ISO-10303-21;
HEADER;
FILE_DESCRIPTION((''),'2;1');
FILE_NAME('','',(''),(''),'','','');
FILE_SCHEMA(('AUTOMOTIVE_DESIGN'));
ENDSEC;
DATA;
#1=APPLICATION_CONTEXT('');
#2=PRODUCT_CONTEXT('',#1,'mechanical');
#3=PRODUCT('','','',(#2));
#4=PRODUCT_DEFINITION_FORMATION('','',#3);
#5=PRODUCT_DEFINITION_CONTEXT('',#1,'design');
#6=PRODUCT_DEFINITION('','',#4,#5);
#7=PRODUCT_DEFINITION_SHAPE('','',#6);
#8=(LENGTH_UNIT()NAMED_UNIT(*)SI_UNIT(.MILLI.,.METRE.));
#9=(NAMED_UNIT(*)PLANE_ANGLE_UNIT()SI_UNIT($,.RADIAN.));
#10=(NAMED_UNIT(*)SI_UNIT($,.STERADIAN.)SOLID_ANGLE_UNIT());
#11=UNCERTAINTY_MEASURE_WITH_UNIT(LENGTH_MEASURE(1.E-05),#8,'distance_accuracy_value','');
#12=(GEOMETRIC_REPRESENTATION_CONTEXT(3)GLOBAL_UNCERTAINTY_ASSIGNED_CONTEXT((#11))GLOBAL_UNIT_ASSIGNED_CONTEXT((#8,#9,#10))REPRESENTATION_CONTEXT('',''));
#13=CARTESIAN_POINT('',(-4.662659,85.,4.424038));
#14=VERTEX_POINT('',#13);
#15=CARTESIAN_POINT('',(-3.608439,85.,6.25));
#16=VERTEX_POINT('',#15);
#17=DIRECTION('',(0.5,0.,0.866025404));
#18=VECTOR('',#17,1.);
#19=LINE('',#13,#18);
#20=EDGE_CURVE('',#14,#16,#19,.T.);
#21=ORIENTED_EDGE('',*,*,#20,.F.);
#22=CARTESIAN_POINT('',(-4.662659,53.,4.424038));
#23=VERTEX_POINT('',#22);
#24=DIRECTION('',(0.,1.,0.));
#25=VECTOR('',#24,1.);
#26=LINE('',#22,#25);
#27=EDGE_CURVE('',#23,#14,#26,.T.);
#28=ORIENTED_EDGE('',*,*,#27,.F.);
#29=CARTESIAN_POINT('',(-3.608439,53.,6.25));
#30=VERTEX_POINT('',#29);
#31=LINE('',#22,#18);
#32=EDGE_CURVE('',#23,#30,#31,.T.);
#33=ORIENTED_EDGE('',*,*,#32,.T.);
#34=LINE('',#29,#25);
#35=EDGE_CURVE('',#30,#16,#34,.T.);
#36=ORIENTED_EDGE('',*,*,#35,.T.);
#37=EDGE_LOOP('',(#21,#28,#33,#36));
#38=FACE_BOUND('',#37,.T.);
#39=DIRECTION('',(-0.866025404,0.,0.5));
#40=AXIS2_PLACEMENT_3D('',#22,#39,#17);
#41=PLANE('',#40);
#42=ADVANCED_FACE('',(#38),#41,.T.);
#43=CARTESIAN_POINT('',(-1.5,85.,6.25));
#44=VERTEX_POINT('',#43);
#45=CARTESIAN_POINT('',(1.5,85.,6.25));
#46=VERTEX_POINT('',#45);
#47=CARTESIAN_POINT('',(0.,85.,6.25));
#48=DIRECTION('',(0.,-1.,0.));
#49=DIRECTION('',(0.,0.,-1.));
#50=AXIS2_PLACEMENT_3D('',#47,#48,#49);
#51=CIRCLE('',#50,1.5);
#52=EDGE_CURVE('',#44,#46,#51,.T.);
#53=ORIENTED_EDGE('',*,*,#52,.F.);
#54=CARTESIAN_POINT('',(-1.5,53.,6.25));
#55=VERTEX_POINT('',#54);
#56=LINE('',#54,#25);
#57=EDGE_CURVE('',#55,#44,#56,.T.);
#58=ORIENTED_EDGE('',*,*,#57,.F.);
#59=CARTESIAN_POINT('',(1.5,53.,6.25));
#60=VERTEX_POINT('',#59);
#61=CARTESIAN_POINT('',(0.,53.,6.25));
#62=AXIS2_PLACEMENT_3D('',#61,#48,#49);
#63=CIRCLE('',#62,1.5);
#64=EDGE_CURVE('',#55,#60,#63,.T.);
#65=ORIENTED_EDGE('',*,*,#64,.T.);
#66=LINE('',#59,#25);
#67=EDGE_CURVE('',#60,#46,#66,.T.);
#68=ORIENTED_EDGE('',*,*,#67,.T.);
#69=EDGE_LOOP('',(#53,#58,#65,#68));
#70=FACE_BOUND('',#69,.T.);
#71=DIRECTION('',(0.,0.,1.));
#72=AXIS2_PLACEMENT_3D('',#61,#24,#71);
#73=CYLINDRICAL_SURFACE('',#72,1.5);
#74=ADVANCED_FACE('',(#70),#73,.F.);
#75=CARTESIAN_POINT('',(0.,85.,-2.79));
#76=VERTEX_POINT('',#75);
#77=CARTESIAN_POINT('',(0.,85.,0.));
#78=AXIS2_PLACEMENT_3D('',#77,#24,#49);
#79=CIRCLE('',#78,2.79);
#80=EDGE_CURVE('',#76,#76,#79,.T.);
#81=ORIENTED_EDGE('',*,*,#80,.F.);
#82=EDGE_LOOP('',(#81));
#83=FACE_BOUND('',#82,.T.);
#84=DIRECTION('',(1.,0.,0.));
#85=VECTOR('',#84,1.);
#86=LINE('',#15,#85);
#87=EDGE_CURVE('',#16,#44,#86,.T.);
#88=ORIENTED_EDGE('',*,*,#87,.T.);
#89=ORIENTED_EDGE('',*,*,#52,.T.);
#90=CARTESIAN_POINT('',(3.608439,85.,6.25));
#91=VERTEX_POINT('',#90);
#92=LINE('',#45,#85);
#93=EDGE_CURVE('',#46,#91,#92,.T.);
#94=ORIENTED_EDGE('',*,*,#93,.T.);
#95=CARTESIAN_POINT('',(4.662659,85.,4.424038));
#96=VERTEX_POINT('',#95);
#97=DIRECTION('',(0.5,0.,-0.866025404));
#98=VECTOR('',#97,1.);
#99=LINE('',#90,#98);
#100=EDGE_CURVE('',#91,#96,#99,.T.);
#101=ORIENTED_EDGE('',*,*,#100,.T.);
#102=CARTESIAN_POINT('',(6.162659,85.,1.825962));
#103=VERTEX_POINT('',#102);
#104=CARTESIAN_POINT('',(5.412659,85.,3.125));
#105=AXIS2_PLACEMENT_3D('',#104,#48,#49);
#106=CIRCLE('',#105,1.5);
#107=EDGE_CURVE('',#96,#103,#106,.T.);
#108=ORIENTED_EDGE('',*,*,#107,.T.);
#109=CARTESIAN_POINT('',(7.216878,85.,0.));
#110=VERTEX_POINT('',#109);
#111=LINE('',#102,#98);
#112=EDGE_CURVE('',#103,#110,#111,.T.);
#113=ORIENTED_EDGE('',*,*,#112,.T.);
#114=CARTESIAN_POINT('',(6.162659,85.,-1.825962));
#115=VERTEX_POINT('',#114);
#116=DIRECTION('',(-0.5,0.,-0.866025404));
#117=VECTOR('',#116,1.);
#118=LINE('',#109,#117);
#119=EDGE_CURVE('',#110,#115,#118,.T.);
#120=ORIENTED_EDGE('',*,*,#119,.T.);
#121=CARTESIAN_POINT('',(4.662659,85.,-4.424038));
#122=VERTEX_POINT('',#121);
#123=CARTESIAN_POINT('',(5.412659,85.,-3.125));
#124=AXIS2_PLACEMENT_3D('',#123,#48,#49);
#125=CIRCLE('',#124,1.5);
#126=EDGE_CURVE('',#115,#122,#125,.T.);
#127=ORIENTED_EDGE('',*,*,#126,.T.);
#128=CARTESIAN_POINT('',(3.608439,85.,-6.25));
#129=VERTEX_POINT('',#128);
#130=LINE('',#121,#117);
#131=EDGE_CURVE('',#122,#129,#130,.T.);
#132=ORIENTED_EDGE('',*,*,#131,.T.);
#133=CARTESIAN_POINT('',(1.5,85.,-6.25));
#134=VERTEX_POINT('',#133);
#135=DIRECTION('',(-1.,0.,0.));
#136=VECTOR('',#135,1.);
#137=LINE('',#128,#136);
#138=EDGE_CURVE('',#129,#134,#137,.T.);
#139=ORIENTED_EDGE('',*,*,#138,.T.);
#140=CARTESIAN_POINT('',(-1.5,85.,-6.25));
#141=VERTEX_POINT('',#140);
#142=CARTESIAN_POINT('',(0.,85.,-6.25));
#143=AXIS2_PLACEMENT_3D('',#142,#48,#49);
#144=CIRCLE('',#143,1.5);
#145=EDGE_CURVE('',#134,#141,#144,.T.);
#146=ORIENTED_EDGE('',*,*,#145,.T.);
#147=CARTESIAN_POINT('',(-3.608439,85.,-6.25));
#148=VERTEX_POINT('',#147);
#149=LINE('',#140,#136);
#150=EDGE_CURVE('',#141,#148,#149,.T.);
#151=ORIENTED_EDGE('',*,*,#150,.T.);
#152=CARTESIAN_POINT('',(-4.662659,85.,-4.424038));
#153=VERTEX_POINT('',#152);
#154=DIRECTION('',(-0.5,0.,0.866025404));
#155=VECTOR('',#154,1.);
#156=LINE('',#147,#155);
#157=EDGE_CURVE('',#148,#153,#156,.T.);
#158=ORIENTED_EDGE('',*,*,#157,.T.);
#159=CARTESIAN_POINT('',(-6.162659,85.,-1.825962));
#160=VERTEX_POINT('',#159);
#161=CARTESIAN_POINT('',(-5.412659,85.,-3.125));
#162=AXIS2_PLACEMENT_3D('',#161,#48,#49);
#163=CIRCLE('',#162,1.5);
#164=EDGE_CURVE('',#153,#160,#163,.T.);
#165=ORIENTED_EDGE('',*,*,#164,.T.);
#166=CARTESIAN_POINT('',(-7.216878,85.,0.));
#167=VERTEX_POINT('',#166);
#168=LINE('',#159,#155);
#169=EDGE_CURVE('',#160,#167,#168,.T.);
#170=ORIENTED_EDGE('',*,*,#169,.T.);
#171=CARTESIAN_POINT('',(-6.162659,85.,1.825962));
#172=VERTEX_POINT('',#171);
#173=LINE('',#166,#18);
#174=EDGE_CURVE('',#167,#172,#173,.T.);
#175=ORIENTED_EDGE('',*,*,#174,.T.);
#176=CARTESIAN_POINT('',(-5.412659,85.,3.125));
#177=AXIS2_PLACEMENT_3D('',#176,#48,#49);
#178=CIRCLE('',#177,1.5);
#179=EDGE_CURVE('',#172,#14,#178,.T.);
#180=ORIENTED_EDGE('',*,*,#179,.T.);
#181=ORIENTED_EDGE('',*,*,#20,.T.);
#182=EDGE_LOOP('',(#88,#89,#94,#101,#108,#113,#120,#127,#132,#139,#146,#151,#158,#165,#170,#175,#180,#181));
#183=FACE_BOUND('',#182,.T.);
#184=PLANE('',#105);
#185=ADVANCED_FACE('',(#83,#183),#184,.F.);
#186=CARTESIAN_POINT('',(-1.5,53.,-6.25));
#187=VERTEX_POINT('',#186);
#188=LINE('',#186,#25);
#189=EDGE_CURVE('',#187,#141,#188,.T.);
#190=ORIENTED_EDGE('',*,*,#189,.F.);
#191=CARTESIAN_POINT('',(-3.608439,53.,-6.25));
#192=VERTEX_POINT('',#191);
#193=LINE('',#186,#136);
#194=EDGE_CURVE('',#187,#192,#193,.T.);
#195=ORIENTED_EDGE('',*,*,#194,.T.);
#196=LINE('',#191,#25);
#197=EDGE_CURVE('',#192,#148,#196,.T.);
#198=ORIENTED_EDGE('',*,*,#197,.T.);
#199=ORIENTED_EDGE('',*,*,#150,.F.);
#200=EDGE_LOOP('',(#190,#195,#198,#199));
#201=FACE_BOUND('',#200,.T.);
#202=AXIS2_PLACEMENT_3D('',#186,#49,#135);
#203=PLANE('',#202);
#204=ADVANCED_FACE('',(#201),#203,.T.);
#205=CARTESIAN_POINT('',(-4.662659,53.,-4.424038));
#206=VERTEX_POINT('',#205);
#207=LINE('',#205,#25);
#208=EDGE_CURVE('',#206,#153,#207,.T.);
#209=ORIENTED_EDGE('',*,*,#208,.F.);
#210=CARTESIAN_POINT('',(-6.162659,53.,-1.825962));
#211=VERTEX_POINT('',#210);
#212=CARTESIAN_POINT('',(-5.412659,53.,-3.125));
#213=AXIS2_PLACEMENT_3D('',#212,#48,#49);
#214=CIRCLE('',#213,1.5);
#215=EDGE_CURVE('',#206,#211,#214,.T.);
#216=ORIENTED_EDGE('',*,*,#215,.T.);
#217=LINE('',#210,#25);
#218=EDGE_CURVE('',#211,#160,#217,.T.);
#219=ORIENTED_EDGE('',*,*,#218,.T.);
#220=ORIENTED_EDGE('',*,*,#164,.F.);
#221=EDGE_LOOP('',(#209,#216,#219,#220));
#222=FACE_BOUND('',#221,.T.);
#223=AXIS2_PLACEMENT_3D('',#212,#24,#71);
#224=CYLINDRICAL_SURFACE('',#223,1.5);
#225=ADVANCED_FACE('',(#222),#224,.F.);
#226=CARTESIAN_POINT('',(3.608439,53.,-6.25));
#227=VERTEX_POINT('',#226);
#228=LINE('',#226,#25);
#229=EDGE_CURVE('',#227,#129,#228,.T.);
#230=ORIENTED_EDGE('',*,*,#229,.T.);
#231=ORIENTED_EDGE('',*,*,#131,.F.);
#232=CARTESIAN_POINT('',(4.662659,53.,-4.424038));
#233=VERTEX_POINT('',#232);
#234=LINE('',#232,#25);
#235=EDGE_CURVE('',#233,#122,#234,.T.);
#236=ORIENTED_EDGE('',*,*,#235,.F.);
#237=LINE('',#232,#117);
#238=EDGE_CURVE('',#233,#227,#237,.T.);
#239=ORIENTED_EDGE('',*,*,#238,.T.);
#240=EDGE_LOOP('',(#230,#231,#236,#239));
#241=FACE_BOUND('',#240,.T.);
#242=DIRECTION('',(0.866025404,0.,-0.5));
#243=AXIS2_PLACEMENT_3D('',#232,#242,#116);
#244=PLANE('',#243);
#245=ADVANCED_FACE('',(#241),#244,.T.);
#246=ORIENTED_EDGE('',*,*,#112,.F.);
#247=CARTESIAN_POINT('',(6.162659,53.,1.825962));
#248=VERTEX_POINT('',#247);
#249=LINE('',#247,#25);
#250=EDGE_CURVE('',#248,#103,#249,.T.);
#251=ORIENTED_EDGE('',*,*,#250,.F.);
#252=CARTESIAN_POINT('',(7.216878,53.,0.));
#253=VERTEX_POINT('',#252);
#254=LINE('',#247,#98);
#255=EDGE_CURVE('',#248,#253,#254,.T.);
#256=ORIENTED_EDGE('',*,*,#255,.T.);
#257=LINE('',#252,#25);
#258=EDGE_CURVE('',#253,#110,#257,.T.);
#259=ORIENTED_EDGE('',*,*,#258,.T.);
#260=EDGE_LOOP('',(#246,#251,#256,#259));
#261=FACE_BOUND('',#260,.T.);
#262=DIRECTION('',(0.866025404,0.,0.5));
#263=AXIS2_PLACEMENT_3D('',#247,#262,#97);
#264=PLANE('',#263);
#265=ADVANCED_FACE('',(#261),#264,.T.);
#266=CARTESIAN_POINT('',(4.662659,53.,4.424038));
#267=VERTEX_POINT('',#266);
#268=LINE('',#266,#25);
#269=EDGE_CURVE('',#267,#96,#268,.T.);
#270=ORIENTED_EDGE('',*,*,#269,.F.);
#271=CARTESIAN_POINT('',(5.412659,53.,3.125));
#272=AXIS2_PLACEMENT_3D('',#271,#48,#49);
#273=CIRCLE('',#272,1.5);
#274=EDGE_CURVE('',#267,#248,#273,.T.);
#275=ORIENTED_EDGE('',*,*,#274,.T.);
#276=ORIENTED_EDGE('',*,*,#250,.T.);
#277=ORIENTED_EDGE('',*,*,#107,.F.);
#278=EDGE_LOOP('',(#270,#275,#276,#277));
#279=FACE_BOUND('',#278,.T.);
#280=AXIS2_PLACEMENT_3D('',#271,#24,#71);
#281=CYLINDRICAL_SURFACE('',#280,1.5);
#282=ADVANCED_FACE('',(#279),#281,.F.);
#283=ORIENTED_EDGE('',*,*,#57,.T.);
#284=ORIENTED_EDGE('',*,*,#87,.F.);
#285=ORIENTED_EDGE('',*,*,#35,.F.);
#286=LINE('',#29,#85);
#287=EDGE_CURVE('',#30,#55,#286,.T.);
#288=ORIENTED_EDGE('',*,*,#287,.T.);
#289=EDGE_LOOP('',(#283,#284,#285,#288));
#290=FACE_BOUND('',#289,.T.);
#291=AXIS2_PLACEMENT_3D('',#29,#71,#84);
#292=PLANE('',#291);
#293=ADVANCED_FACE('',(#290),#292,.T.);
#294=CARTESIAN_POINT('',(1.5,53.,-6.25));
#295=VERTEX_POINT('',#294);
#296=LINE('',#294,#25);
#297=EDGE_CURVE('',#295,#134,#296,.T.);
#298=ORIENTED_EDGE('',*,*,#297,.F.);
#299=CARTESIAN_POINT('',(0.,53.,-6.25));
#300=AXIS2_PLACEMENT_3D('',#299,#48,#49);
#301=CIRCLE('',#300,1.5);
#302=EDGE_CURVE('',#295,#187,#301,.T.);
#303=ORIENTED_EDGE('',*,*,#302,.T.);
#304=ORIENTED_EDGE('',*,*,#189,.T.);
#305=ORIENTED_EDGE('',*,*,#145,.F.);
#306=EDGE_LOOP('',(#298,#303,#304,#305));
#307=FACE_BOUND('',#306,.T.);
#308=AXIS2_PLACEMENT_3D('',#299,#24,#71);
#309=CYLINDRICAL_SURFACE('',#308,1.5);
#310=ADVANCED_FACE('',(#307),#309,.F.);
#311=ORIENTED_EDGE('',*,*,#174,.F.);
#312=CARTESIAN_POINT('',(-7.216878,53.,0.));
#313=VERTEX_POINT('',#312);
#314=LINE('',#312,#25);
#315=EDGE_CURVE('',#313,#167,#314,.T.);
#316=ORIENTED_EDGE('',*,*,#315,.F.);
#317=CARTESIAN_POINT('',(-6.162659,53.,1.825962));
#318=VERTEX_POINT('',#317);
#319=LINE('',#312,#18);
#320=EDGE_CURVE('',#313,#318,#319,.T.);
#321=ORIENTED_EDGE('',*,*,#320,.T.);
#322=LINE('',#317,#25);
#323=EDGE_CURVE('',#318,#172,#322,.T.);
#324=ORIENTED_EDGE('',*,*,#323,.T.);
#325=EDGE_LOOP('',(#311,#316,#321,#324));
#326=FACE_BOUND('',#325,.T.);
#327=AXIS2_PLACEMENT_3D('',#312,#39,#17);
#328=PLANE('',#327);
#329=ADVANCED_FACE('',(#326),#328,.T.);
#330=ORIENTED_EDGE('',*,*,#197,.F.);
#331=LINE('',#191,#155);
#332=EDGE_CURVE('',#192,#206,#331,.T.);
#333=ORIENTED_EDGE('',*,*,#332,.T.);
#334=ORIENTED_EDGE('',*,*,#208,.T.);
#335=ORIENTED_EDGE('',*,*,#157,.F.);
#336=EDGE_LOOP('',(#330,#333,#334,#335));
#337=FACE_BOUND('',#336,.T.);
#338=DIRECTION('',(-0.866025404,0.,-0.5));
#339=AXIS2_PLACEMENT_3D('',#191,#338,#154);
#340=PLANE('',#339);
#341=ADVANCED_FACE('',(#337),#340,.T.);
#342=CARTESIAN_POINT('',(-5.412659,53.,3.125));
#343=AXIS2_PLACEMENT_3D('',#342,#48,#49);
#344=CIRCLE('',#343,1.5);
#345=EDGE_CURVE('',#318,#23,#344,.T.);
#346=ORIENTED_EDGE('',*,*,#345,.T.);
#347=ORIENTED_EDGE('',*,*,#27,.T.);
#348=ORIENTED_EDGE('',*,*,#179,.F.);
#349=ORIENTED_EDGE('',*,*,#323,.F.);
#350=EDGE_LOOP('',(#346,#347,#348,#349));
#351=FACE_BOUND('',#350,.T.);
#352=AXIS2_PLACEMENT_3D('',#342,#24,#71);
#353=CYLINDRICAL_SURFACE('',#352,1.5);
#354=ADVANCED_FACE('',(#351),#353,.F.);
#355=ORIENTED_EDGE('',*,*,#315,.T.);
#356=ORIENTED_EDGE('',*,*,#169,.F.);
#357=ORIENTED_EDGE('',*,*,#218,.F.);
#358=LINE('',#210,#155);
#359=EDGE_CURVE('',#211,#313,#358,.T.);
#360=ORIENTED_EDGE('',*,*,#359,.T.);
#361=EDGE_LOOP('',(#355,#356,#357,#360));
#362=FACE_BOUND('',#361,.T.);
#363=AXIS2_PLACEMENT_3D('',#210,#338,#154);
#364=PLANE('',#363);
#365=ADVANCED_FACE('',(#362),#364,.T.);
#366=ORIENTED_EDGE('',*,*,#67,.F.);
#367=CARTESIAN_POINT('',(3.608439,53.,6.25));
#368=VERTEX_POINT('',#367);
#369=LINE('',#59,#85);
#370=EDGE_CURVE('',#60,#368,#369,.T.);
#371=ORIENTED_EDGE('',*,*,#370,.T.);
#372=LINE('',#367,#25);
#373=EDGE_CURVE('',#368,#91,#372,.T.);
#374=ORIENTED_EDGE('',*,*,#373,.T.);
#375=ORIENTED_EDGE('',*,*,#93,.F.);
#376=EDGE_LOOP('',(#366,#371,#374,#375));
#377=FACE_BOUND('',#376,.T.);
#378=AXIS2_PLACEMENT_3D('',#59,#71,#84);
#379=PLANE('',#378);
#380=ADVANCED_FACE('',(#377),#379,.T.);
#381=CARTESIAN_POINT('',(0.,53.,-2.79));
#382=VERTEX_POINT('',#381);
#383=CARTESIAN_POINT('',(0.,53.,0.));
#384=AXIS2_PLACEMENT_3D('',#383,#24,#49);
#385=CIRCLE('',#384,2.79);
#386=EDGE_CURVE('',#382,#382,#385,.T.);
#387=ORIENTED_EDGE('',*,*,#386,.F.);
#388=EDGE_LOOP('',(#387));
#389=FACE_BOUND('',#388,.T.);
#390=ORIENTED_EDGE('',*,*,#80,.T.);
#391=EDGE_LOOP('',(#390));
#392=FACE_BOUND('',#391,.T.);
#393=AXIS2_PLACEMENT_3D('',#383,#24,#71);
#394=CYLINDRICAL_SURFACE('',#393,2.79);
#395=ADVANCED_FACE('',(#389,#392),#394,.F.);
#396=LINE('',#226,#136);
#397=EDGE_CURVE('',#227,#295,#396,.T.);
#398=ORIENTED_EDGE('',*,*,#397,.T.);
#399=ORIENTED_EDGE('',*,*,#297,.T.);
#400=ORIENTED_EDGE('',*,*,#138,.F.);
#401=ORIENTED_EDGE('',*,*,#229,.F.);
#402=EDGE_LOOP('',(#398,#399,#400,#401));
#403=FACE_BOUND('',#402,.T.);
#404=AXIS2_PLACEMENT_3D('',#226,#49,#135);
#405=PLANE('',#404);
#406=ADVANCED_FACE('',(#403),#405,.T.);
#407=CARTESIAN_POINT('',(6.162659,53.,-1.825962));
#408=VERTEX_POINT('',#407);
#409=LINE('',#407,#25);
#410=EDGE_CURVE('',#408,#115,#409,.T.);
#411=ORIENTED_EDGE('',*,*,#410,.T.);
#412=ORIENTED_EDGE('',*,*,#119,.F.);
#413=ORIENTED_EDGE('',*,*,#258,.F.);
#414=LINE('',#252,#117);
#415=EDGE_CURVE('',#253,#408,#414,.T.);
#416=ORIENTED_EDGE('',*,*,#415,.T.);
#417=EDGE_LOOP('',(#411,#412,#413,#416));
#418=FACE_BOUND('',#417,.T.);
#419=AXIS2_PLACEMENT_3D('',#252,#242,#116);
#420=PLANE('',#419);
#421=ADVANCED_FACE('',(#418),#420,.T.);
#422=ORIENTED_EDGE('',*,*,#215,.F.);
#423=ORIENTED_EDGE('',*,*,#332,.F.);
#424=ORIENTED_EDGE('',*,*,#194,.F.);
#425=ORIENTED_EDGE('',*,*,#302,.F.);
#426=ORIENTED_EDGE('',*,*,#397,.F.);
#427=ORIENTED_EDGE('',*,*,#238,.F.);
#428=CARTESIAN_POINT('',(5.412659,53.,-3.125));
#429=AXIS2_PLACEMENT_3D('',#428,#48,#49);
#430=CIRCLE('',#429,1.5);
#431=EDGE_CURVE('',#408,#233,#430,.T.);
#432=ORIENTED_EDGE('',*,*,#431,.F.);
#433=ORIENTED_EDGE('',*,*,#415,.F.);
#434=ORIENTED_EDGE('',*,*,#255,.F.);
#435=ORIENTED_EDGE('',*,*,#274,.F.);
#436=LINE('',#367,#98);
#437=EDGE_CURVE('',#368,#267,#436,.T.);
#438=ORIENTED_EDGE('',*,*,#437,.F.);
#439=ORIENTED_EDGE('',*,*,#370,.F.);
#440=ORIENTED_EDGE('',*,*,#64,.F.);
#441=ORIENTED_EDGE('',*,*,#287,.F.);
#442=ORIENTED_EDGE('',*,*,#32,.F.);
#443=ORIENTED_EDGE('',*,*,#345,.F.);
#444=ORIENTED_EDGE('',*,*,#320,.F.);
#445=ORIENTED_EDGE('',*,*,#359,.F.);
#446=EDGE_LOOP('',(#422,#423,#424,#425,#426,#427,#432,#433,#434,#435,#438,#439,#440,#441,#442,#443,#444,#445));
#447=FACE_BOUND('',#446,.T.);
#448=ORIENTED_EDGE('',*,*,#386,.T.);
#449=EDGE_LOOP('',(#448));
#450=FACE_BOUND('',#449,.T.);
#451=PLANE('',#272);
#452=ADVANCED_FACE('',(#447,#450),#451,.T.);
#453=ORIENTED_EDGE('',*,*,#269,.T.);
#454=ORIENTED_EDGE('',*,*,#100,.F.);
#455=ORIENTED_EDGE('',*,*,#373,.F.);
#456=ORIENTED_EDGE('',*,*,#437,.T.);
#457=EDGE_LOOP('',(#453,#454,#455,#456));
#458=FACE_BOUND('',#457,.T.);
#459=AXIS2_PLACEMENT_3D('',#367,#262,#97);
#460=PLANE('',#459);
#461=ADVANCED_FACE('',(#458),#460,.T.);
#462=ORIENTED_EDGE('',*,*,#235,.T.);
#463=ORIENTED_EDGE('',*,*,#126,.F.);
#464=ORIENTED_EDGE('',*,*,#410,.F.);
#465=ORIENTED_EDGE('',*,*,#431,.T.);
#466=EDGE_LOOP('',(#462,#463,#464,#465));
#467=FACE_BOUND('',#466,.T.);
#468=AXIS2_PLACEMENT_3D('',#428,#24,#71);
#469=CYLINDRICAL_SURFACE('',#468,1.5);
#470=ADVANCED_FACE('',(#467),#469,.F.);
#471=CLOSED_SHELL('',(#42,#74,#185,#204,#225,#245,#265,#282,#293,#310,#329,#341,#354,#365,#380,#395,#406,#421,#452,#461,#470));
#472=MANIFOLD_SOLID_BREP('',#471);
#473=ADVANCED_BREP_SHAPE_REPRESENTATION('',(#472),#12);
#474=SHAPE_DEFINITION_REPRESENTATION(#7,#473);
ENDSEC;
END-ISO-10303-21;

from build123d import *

# Parameters (mm, degrees)
ESBO_O1_R                = 2.79
RESSALTO_EXTRUS_O1_DEPTH = 32


with BuildPart() as part:
    # Esboço1 → Ressalto-extrusão1 (new body)
    with BuildSketch(Plane(origin=(0, 85, 0), x_dir=(1, 0, 0), z_dir=(0, 1, 0))):
        with BuildLine():
            Line((6.162658774, -1.825961894), (7.216878365, 0))
            Line((7.216878365, 0), (6.162658774, 1.825961894))
            ThreePointArc((6.162658774, 1.825961894), (4.113620668, 2.375), (4.662658774, 4.424038106))
            Line((4.662658774, 4.424038106), (3.608439182, 6.25))
            Line((3.608439182, 6.25), (1.5, 6.25))
            ThreePointArc((1.5, 6.25), (0, 4.75), (-1.5, 6.25))
            Line((-1.5, 6.25), (-3.608439182, 6.25))
            Line((-3.608439182, 6.25), (-4.662658774, 4.424038106))
            ThreePointArc((-4.662658774, 4.424038106), (-4.113620668, 2.375), (-6.162658774, 1.825961894))
            Line((-6.162658774, 1.825961894), (-7.216878365, 0))
            Line((-7.216878365, 0), (-6.162658774, -1.825961894))
            ThreePointArc((-6.162658774, -1.825961894), (-4.113620668, -2.375), (-4.662658774, -4.424038106))
            Line((-4.662658774, -4.424038106), (-3.608439182, -6.25))
            Line((-3.608439182, -6.25), (-1.5, -6.25))
            ThreePointArc((-1.5, -6.25), (0, -4.75), (1.5, -6.25))
            Line((1.5, -6.25), (3.608439182, -6.25))
            Line((3.608439182, -6.25), (4.662658774, -4.424038106))
            ThreePointArc((4.662658774, -4.424038106), (4.113620668, -2.375), (6.162658774, -1.825961894))
        make_face()
        Circle(ESBO_O1_R, mode=Mode.SUBTRACT)
    extrude(amount=-RESSALTO_EXTRUS_O1_DEPTH)


solid = part.part
